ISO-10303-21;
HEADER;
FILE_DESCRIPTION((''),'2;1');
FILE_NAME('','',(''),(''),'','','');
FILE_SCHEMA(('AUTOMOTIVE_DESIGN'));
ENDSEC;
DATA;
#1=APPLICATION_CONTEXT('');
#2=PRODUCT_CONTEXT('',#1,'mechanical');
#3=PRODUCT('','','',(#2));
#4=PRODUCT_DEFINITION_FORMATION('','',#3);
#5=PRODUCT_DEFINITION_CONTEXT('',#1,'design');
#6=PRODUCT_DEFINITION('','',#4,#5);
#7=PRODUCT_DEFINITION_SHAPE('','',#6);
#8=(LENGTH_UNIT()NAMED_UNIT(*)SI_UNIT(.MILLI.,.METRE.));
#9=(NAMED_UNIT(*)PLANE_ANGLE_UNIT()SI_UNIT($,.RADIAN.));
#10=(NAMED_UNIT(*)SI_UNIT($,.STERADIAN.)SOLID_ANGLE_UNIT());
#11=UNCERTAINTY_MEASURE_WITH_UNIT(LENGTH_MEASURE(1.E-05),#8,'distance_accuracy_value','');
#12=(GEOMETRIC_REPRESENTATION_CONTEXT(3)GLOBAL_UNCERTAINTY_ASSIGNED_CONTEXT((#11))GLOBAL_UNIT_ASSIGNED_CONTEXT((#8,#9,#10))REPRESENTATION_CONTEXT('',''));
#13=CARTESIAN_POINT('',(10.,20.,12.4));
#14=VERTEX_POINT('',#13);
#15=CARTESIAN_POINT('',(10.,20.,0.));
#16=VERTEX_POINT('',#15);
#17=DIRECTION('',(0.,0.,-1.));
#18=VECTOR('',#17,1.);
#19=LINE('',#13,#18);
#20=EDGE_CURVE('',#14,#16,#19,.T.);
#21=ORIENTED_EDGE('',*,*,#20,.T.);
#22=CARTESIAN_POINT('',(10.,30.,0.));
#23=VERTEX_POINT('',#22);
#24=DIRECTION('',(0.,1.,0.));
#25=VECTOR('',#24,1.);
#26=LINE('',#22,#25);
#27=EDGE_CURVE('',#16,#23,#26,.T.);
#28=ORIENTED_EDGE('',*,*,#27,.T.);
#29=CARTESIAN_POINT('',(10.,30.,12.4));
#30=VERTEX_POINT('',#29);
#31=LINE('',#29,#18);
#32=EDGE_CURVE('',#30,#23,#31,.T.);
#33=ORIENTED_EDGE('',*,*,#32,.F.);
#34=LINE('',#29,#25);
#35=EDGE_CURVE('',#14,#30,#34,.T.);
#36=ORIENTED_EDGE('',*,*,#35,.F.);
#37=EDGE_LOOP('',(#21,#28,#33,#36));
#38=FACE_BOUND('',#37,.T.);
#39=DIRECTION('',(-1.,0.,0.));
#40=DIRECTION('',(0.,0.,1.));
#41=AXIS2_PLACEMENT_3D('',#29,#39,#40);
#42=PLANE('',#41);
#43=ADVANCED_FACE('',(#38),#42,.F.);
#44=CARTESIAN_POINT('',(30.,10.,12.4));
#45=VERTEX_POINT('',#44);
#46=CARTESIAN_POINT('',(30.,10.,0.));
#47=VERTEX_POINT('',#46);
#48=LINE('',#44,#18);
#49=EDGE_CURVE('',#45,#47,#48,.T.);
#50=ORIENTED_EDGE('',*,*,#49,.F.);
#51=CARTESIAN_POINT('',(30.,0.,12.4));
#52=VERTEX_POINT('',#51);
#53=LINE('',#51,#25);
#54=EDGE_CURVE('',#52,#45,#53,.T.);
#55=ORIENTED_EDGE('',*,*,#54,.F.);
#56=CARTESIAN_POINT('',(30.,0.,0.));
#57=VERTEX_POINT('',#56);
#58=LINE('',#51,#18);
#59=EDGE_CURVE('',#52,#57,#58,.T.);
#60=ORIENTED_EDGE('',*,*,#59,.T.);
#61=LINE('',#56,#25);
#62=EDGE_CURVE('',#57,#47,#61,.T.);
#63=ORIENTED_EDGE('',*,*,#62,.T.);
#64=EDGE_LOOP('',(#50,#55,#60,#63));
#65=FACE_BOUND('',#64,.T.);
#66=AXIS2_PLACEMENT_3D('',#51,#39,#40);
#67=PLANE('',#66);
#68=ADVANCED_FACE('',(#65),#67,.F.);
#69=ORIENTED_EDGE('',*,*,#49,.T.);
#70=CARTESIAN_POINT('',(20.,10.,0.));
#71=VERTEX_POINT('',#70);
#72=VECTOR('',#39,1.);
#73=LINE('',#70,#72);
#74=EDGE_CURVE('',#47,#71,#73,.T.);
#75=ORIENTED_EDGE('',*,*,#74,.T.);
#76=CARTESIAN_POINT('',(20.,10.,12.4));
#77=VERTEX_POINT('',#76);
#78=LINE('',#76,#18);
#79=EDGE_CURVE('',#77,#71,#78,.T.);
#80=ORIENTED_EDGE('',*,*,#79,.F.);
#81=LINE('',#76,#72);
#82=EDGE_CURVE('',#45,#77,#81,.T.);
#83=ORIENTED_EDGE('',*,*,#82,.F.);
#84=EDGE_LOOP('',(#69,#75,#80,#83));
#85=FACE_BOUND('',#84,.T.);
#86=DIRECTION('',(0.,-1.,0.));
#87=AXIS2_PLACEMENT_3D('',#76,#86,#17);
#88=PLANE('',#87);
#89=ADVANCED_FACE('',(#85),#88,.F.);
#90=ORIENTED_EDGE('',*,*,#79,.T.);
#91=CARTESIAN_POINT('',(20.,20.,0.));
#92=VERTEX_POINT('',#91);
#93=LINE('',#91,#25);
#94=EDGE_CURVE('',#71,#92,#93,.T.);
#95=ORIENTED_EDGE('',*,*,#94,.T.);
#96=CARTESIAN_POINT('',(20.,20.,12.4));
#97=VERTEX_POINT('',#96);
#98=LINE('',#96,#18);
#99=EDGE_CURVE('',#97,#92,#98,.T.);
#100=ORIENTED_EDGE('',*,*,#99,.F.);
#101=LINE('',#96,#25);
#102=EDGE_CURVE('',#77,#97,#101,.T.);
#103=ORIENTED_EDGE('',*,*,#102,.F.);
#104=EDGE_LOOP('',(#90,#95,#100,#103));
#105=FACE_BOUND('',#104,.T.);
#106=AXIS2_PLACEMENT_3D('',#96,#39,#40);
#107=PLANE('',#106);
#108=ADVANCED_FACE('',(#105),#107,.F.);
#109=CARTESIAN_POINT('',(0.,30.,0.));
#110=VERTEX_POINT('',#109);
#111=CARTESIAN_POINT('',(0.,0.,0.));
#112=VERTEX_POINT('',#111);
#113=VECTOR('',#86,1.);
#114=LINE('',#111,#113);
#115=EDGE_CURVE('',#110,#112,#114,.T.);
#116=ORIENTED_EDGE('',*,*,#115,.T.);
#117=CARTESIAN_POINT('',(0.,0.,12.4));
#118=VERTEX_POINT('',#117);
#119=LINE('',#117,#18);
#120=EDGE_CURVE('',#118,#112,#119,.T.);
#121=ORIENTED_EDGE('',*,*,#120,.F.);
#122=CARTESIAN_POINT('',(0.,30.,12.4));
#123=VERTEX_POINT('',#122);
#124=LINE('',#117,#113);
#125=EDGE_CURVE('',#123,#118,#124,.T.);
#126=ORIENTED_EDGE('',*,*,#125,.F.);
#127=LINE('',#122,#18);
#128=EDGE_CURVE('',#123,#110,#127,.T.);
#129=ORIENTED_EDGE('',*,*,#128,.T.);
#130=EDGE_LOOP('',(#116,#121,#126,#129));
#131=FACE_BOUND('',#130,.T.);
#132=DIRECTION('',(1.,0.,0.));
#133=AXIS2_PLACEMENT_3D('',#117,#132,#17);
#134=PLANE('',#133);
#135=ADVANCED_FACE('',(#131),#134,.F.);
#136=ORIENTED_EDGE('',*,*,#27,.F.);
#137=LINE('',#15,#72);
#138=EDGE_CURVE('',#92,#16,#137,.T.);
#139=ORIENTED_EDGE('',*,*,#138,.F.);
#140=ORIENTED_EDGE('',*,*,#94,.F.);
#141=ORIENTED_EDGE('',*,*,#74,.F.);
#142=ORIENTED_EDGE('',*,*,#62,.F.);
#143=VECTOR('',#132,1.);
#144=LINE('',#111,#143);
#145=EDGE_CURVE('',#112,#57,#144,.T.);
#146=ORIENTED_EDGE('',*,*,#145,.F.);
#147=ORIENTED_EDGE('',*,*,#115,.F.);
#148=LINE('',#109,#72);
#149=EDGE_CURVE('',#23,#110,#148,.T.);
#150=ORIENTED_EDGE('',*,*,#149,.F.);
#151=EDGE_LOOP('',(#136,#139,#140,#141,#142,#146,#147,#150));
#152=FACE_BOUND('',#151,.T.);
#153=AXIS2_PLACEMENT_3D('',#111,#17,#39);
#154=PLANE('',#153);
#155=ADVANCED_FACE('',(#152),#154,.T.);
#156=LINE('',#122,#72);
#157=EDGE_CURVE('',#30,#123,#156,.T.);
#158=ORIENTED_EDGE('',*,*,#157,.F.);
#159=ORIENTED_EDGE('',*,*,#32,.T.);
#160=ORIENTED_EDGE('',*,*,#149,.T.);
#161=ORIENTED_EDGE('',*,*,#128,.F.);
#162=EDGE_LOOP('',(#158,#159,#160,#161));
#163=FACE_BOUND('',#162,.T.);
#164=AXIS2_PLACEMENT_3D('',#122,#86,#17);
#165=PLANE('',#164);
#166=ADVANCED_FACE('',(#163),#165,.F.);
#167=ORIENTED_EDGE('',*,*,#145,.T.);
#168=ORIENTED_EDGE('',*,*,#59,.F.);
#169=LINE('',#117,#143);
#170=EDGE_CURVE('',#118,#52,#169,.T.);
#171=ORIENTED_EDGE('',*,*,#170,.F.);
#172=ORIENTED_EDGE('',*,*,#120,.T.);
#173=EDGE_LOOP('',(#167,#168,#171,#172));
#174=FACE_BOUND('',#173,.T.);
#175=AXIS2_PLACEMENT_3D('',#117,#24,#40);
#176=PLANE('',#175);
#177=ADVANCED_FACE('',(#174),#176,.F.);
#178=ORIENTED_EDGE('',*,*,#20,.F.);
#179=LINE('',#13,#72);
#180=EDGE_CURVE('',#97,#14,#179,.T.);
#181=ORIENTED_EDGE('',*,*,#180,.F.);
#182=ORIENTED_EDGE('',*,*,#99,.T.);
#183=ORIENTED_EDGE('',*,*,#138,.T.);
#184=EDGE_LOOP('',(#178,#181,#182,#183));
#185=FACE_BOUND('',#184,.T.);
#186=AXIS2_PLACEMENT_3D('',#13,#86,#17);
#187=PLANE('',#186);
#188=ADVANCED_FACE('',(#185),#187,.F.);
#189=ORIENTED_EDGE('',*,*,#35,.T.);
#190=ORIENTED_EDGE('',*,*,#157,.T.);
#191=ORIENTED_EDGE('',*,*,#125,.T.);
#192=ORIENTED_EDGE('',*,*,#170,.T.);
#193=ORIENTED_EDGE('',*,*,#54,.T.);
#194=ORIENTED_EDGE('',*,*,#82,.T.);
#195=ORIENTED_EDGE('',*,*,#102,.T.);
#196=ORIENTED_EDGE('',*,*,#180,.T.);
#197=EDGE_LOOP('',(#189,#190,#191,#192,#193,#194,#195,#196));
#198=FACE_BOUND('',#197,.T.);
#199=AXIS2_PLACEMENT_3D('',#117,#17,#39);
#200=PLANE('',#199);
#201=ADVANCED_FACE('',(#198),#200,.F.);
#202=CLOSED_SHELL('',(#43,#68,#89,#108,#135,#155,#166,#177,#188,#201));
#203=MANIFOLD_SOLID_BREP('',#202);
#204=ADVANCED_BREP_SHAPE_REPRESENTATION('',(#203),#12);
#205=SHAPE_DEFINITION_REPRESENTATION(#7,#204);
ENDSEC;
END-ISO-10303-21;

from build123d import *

# Parameters (mm, degrees)
BOSS_EXTRUDE1_DEPTH = 12.4


with BuildPart() as part:
    # Sketch1 → Boss-Extrude1 (new body)
    with BuildSketch(Plane.XY):
        Polygon((0, 0), (30, 0), (30, 10), (20, 10), (20, 20), (10, 20), (10, 30), (0, 30), align=None)
    extrude(amount=BOSS_EXTRUDE1_DEPTH)


solid = part.part
